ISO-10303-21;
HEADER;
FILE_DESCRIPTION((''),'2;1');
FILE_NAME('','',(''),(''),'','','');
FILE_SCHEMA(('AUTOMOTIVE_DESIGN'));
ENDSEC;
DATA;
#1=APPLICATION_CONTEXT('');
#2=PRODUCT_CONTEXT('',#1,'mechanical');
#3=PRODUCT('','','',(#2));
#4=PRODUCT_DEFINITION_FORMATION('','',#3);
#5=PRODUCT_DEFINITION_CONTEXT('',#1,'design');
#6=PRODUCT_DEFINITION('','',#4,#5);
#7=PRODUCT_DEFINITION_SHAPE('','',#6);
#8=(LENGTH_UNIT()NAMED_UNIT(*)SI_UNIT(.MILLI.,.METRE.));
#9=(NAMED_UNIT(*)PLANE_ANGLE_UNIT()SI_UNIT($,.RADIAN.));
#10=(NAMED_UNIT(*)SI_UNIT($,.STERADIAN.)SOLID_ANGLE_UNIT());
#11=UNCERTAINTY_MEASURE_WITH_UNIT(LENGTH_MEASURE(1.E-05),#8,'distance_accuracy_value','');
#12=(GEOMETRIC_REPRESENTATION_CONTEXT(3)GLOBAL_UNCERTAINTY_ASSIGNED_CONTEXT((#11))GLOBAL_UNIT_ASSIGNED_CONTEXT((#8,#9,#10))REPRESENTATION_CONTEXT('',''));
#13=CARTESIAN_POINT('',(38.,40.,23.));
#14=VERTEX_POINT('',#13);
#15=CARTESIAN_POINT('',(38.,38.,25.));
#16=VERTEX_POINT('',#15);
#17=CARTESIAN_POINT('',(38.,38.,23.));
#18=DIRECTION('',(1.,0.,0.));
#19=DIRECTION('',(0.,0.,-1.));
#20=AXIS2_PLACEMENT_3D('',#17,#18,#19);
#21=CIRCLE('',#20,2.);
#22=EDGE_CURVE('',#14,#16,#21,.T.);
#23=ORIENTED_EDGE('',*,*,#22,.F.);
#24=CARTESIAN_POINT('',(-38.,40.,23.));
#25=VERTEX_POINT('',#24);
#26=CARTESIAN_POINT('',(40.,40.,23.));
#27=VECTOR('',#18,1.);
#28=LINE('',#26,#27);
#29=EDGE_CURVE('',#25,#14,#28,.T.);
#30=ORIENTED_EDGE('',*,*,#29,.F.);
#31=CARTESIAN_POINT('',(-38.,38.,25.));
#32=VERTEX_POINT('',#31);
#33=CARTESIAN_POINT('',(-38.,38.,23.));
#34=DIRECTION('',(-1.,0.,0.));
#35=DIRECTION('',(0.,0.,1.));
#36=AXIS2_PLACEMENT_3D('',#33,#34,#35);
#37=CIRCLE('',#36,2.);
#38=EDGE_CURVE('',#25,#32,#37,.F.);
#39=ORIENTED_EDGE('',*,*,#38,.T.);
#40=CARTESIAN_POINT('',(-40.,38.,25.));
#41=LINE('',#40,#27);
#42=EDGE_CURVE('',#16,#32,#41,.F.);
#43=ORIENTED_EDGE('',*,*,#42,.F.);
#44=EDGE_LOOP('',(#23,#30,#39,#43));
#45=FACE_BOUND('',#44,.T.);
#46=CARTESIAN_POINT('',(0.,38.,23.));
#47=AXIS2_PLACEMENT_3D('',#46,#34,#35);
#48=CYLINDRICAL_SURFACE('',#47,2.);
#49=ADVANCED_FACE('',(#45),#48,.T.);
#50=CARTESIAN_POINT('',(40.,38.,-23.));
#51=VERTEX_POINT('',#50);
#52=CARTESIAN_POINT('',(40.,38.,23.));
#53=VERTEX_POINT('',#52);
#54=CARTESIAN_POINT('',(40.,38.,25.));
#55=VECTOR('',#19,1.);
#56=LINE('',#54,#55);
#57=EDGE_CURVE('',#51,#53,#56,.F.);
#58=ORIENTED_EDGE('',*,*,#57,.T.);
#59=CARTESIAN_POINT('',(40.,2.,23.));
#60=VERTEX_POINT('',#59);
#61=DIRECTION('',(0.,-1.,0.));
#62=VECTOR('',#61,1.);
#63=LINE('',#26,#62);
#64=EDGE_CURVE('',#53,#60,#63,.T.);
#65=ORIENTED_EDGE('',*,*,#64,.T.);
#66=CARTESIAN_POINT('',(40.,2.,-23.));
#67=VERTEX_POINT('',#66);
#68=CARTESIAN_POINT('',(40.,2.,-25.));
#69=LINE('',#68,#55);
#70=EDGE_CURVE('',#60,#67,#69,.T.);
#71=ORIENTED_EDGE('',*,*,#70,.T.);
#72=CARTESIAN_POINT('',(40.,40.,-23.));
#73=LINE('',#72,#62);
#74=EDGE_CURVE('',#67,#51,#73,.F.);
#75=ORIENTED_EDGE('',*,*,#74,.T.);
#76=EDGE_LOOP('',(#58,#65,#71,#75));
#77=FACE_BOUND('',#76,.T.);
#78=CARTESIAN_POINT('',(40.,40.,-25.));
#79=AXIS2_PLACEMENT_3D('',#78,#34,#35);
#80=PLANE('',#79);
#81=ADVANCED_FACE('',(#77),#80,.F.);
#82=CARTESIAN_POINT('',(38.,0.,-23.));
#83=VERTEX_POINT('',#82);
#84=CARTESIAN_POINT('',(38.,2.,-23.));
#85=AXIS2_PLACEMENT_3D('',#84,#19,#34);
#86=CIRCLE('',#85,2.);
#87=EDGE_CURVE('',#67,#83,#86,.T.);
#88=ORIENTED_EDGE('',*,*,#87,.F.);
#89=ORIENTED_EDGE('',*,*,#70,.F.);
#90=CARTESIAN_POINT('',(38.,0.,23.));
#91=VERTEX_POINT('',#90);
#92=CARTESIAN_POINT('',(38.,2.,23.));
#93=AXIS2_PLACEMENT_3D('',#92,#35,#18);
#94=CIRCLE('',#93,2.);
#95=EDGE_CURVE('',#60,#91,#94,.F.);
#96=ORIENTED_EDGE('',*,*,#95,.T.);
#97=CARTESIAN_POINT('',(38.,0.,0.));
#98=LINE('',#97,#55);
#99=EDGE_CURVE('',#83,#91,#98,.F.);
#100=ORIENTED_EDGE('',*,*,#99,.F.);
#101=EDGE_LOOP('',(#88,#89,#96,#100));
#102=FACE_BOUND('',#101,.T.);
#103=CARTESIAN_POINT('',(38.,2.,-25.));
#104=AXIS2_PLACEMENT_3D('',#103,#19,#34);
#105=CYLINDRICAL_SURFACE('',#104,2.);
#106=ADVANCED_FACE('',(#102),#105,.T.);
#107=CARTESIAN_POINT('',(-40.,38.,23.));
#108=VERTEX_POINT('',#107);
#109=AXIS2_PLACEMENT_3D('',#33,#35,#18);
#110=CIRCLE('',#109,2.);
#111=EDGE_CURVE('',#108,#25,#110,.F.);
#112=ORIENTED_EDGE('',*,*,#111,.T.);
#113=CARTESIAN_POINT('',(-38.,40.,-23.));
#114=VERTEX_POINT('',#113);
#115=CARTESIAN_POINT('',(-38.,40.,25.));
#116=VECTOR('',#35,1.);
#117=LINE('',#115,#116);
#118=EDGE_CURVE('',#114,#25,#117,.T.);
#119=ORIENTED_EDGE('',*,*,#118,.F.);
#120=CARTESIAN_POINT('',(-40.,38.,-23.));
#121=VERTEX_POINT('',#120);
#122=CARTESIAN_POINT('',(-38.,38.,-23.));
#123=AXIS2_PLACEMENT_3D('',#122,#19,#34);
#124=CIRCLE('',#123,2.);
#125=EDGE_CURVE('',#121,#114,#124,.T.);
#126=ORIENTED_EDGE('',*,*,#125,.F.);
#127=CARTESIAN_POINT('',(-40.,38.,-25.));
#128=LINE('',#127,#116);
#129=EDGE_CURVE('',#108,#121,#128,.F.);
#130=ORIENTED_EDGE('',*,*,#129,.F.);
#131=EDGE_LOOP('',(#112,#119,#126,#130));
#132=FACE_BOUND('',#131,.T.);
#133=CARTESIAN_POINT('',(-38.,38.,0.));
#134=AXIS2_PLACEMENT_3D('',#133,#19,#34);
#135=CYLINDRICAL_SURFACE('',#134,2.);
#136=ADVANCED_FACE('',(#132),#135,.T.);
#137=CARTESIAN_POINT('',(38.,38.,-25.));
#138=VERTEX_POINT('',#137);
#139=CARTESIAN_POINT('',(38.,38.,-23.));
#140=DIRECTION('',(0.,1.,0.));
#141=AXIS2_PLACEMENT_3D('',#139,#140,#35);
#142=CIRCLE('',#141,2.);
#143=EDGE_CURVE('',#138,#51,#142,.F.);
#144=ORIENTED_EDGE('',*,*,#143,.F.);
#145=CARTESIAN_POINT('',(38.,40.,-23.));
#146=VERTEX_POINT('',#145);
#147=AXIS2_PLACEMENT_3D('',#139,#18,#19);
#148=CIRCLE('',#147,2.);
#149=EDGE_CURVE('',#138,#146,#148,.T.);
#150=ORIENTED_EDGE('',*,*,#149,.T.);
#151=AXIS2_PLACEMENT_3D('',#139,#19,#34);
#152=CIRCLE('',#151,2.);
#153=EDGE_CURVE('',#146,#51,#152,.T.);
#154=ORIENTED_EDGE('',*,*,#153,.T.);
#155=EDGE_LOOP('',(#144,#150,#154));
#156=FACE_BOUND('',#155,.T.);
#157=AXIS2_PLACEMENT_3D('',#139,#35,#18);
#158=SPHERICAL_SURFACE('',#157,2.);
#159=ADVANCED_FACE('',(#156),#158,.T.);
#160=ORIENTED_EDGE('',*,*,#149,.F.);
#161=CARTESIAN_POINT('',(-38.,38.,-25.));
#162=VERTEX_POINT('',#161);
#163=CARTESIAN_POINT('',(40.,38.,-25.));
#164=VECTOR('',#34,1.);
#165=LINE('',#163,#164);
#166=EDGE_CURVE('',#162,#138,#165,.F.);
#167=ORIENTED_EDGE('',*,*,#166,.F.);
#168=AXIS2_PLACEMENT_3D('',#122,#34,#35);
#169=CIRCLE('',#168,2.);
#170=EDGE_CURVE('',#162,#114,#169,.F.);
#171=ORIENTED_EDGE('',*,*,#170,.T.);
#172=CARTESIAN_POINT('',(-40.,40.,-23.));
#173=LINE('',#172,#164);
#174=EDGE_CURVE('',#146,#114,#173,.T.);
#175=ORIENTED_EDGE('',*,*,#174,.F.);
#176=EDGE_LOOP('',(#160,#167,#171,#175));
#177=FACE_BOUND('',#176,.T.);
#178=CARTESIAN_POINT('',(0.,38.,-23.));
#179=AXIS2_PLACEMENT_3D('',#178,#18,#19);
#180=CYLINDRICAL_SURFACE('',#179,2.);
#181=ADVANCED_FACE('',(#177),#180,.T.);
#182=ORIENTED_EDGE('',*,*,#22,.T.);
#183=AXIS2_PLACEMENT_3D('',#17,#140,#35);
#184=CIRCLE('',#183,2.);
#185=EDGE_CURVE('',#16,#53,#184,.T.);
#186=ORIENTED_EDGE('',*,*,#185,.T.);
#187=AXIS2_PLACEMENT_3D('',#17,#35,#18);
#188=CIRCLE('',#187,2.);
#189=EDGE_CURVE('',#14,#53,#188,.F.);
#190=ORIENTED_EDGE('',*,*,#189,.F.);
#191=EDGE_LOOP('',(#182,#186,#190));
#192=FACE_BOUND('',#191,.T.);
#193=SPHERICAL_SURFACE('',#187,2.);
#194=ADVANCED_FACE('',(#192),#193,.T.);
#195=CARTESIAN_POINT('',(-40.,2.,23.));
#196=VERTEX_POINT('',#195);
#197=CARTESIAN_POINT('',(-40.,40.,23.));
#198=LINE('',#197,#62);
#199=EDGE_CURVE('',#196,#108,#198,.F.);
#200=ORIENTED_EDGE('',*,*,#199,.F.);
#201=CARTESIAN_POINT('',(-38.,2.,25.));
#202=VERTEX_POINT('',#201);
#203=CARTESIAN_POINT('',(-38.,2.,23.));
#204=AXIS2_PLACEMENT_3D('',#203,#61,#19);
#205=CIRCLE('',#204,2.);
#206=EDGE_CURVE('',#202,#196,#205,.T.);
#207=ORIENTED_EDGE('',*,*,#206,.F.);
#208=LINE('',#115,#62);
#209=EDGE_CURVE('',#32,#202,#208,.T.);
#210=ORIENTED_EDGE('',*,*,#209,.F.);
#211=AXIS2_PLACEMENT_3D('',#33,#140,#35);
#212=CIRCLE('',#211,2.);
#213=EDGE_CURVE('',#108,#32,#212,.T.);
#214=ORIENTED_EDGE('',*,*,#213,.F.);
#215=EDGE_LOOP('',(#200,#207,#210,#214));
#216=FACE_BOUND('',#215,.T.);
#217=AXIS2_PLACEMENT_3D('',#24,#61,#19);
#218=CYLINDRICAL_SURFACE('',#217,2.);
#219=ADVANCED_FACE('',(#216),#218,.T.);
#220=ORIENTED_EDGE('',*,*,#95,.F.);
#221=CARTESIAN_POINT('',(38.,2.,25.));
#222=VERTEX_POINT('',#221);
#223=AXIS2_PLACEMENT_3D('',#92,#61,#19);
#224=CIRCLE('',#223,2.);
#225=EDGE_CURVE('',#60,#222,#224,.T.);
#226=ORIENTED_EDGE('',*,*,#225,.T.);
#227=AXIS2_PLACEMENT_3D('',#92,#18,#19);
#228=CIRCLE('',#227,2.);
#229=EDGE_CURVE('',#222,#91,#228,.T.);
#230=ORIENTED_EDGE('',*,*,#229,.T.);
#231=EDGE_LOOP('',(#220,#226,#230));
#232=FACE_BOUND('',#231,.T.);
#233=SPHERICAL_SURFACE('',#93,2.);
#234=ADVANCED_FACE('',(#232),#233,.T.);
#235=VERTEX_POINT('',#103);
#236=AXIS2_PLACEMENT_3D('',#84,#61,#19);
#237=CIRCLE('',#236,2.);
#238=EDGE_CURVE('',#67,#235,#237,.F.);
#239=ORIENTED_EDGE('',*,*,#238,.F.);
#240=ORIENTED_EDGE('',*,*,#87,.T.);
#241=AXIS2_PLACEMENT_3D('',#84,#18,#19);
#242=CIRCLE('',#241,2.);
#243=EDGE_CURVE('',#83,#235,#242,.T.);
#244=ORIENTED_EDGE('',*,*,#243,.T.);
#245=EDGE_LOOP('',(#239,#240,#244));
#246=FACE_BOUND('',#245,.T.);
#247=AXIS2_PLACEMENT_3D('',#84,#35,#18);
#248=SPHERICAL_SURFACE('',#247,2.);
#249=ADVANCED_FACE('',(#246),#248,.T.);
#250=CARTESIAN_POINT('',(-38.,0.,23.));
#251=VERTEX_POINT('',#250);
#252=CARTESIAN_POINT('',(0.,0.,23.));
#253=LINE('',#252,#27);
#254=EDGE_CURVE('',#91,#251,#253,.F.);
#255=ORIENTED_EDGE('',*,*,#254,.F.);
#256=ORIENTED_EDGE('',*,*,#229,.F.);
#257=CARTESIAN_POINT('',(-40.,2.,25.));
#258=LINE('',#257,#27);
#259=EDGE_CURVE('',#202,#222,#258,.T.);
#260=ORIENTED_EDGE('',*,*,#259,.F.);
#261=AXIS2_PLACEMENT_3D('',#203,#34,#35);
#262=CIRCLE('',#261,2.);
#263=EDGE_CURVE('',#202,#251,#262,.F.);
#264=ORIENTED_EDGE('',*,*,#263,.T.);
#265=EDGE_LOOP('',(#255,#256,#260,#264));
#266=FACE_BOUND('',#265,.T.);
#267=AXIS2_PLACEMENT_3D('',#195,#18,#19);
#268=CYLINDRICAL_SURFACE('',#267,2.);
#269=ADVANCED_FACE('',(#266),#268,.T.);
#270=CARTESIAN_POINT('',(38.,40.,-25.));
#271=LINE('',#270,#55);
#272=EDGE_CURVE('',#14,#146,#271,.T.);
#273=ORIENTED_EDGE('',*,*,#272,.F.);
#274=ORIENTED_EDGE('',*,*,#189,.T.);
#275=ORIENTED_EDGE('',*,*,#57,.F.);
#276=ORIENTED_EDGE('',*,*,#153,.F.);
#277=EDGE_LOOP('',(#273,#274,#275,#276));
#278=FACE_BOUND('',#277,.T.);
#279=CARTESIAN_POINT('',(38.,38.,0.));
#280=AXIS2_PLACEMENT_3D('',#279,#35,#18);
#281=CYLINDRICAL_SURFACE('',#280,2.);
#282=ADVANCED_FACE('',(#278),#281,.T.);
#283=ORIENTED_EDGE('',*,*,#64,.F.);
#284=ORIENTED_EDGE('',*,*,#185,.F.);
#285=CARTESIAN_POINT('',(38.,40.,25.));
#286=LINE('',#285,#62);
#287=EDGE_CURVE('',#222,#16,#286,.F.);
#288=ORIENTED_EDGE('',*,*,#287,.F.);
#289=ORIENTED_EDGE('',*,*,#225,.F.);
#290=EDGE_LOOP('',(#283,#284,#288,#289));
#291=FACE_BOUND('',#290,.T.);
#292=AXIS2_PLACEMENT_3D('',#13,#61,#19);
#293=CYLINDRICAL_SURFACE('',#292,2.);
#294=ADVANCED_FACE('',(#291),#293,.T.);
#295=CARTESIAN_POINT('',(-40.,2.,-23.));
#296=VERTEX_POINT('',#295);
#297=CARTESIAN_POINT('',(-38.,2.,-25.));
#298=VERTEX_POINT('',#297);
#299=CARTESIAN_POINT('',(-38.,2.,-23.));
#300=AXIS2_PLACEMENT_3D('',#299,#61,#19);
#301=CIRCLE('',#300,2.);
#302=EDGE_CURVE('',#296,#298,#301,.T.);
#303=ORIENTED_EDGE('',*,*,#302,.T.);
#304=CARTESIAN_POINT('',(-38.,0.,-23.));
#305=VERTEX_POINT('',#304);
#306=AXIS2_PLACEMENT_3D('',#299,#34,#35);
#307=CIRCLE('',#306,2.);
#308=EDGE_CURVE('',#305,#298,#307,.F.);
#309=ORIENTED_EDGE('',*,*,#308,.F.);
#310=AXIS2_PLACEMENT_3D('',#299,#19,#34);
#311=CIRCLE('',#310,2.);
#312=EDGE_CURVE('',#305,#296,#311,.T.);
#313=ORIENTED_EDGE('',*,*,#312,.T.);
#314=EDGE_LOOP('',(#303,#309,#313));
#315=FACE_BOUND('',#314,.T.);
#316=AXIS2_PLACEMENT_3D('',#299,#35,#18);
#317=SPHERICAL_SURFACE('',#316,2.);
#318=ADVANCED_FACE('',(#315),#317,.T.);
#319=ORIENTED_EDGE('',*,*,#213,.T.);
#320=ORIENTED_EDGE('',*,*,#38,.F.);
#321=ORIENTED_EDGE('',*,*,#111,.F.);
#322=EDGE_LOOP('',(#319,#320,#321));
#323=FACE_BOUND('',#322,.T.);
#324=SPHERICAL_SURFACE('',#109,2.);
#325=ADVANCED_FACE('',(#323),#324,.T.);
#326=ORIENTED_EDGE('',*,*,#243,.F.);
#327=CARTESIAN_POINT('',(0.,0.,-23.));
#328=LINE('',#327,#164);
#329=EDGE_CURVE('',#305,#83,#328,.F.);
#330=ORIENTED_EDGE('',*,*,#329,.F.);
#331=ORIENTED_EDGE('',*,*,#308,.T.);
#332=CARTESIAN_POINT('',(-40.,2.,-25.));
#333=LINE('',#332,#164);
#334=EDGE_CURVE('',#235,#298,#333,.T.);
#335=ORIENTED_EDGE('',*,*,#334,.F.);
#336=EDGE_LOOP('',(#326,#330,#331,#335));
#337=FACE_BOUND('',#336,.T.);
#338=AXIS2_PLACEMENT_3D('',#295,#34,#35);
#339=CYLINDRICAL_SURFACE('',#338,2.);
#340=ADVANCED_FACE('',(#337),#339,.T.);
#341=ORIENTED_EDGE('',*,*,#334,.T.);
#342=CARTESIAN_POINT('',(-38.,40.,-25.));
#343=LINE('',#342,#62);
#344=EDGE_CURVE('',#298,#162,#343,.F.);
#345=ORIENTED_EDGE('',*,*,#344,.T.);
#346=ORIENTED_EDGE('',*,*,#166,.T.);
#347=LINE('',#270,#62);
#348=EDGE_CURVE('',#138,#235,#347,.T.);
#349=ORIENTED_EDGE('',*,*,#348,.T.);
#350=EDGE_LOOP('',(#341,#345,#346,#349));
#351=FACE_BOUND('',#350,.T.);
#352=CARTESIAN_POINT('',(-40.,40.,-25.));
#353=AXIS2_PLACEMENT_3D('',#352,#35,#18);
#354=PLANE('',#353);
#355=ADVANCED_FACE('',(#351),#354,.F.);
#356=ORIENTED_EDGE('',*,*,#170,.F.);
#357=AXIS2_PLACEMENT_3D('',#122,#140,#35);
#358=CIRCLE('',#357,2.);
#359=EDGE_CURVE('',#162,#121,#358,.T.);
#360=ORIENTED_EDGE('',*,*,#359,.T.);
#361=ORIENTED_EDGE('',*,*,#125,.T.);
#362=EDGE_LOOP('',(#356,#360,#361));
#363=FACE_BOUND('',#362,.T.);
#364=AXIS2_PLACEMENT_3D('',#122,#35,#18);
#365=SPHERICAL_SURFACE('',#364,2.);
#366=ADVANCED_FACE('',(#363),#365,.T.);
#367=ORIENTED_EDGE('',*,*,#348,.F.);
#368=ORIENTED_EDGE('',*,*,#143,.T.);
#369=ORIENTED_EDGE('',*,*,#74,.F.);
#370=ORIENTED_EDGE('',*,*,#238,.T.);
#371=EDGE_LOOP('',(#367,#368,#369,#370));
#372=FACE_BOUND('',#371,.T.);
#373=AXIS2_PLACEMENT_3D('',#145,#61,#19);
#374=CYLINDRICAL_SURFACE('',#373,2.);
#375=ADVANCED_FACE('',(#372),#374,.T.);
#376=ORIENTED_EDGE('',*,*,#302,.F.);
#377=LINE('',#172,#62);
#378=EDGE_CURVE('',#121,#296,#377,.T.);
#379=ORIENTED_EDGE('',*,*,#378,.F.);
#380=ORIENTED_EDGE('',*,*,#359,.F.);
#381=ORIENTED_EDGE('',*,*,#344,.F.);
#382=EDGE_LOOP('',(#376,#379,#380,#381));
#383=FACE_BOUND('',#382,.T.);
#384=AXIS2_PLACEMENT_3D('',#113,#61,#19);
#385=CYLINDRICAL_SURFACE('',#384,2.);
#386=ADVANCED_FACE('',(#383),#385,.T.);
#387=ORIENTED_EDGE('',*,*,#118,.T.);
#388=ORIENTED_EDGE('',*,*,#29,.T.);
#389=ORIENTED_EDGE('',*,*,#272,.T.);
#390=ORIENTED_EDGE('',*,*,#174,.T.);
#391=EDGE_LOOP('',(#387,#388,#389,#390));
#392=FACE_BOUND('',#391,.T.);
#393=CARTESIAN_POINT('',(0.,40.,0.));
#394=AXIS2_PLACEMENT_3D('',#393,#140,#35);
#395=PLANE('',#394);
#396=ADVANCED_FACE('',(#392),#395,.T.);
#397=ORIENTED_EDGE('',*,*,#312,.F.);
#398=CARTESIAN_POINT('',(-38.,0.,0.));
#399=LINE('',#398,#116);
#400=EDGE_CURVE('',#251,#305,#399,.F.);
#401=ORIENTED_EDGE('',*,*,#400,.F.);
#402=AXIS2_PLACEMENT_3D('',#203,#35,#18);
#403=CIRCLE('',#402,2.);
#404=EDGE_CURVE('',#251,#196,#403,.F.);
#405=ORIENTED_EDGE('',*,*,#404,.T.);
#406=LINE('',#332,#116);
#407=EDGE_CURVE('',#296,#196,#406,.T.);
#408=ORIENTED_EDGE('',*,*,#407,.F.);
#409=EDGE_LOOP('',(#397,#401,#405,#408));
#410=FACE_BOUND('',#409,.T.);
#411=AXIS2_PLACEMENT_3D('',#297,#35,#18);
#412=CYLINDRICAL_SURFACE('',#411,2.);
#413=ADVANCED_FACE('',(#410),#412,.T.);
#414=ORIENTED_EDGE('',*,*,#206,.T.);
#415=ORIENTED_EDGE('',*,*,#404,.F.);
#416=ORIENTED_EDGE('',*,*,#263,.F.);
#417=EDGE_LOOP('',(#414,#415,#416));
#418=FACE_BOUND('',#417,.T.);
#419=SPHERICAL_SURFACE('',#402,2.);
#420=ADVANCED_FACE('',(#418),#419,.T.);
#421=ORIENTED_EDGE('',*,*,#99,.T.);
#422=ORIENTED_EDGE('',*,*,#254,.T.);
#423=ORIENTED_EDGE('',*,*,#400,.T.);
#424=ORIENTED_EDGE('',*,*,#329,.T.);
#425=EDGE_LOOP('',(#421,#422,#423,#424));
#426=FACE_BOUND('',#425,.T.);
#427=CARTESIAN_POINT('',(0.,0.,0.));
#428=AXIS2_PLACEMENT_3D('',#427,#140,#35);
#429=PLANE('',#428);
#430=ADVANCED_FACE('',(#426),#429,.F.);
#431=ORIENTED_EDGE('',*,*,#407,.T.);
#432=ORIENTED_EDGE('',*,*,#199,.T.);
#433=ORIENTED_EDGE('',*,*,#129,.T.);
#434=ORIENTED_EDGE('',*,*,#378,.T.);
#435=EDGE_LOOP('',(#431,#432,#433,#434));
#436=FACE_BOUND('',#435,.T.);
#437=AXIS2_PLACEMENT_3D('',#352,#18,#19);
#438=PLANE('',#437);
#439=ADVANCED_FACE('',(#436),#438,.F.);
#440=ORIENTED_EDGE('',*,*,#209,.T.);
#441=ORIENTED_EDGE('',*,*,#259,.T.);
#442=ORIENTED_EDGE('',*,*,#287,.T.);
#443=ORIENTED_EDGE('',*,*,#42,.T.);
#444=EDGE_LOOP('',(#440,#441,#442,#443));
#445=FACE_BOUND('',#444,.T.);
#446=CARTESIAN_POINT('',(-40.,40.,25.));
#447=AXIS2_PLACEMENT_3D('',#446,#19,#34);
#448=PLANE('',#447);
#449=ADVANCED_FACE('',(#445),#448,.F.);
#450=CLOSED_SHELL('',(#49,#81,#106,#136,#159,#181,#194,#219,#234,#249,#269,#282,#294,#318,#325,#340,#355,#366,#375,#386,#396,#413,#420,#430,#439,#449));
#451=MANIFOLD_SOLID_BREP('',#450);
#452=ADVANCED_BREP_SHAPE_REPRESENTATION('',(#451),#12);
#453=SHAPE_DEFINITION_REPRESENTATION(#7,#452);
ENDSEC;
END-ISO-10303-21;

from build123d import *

# Parameters (mm, degrees)
SKETCH_1_W      = 80
SKETCH_1_H      = 50
EXTRUDE_1_DEPTH = 40
FILLET_1_R      = 2


with BuildPart() as part:
    # 草图1 → 凸台-拉伸1 (new body)
    with BuildSketch(Plane(origin=(0, 0, 0), x_dir=(1, 0, 0), z_dir=(0, 1, 0))):
        Rectangle(SKETCH_1_W, SKETCH_1_H)
    extrude(amount=EXTRUDE_1_DEPTH)

    # 圆角1
    fillet_1_edges = [part.edges().sort_by_distance(p)[0] for p in [
        (-40, 40, 0),
        (0, 40, 25),
        (40, 40, 0),
        (0, 0, 25),
        (-40, 0, 0),
        (0, 0, -25),
        (40, 0, 0),
        (0, 40, -25),
        (40, 20, 25),
        (-40, 20, 25),
        (-40, 20, -25),
        (40, 20, -25),
    ]]
    fillet(fillet_1_edges, radius=FILLET_1_R)


solid = part.part
